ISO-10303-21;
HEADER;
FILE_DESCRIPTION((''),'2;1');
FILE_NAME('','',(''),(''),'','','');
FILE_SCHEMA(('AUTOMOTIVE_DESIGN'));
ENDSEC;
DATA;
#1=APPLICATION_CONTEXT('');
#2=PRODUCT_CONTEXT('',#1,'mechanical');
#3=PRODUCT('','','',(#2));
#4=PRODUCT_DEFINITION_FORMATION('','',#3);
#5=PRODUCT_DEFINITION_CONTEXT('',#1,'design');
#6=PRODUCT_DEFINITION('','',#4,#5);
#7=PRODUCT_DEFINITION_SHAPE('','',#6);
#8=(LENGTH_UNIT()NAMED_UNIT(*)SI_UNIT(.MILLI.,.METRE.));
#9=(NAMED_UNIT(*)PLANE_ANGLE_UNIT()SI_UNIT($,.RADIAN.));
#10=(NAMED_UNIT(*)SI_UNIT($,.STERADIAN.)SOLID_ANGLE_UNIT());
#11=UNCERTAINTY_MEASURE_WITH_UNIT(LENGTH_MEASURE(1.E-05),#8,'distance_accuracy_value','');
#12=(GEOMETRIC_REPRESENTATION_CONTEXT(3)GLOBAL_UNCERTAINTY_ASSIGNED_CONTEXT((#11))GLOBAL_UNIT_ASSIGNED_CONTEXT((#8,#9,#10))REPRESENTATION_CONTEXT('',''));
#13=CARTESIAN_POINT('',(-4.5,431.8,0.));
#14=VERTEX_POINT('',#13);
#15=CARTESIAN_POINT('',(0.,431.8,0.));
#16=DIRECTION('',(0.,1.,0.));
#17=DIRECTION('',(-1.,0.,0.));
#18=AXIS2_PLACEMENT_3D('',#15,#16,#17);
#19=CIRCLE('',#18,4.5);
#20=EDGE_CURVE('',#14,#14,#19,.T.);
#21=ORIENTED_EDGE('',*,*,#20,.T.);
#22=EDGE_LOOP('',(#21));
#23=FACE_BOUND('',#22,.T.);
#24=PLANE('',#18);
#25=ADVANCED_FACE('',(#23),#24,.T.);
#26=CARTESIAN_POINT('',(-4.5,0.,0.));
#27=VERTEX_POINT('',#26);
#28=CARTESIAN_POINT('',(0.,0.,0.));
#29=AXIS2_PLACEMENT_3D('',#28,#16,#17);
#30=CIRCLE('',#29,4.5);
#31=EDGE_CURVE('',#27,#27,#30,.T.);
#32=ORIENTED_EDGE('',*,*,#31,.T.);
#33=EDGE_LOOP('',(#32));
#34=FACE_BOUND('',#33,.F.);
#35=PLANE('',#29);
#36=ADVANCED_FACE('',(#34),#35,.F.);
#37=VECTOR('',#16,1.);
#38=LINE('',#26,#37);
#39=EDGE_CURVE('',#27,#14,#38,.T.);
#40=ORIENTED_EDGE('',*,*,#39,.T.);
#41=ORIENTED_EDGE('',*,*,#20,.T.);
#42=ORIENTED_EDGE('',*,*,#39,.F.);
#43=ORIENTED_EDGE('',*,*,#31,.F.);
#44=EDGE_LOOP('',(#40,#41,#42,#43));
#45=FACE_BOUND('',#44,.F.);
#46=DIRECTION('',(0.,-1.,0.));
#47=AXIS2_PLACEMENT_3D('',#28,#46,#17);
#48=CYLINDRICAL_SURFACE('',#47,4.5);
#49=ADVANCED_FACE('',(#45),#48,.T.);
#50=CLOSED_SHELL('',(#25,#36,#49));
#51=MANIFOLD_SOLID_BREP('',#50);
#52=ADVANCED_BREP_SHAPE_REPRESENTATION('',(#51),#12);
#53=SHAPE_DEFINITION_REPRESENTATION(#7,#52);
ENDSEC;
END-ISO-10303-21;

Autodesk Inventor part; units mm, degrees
ref_plane "YZ Plane" through (0, 0, 0) normal (1, 0, 0) x (0, 1, 0)
ref_plane "XZ Plane" through (0, 0, 0) normal (0, 1, 0) x (-1, 0, 0)
ref_plane "XY Plane" through (0, 0, 0) normal (0, 0, 1) x (1, 0, 0)
sketch "Sketch1" plane through (0, 0, 0) normal (0, 1, 0) x (-1, 0, 0)
  circle A0 centre (0, 0) radius 4.5
  dimension "d0" = 9
extrude "Extrusion1" add sketch "Sketch1" along normal blind 431.8
properties part number "Sliding Rod"
